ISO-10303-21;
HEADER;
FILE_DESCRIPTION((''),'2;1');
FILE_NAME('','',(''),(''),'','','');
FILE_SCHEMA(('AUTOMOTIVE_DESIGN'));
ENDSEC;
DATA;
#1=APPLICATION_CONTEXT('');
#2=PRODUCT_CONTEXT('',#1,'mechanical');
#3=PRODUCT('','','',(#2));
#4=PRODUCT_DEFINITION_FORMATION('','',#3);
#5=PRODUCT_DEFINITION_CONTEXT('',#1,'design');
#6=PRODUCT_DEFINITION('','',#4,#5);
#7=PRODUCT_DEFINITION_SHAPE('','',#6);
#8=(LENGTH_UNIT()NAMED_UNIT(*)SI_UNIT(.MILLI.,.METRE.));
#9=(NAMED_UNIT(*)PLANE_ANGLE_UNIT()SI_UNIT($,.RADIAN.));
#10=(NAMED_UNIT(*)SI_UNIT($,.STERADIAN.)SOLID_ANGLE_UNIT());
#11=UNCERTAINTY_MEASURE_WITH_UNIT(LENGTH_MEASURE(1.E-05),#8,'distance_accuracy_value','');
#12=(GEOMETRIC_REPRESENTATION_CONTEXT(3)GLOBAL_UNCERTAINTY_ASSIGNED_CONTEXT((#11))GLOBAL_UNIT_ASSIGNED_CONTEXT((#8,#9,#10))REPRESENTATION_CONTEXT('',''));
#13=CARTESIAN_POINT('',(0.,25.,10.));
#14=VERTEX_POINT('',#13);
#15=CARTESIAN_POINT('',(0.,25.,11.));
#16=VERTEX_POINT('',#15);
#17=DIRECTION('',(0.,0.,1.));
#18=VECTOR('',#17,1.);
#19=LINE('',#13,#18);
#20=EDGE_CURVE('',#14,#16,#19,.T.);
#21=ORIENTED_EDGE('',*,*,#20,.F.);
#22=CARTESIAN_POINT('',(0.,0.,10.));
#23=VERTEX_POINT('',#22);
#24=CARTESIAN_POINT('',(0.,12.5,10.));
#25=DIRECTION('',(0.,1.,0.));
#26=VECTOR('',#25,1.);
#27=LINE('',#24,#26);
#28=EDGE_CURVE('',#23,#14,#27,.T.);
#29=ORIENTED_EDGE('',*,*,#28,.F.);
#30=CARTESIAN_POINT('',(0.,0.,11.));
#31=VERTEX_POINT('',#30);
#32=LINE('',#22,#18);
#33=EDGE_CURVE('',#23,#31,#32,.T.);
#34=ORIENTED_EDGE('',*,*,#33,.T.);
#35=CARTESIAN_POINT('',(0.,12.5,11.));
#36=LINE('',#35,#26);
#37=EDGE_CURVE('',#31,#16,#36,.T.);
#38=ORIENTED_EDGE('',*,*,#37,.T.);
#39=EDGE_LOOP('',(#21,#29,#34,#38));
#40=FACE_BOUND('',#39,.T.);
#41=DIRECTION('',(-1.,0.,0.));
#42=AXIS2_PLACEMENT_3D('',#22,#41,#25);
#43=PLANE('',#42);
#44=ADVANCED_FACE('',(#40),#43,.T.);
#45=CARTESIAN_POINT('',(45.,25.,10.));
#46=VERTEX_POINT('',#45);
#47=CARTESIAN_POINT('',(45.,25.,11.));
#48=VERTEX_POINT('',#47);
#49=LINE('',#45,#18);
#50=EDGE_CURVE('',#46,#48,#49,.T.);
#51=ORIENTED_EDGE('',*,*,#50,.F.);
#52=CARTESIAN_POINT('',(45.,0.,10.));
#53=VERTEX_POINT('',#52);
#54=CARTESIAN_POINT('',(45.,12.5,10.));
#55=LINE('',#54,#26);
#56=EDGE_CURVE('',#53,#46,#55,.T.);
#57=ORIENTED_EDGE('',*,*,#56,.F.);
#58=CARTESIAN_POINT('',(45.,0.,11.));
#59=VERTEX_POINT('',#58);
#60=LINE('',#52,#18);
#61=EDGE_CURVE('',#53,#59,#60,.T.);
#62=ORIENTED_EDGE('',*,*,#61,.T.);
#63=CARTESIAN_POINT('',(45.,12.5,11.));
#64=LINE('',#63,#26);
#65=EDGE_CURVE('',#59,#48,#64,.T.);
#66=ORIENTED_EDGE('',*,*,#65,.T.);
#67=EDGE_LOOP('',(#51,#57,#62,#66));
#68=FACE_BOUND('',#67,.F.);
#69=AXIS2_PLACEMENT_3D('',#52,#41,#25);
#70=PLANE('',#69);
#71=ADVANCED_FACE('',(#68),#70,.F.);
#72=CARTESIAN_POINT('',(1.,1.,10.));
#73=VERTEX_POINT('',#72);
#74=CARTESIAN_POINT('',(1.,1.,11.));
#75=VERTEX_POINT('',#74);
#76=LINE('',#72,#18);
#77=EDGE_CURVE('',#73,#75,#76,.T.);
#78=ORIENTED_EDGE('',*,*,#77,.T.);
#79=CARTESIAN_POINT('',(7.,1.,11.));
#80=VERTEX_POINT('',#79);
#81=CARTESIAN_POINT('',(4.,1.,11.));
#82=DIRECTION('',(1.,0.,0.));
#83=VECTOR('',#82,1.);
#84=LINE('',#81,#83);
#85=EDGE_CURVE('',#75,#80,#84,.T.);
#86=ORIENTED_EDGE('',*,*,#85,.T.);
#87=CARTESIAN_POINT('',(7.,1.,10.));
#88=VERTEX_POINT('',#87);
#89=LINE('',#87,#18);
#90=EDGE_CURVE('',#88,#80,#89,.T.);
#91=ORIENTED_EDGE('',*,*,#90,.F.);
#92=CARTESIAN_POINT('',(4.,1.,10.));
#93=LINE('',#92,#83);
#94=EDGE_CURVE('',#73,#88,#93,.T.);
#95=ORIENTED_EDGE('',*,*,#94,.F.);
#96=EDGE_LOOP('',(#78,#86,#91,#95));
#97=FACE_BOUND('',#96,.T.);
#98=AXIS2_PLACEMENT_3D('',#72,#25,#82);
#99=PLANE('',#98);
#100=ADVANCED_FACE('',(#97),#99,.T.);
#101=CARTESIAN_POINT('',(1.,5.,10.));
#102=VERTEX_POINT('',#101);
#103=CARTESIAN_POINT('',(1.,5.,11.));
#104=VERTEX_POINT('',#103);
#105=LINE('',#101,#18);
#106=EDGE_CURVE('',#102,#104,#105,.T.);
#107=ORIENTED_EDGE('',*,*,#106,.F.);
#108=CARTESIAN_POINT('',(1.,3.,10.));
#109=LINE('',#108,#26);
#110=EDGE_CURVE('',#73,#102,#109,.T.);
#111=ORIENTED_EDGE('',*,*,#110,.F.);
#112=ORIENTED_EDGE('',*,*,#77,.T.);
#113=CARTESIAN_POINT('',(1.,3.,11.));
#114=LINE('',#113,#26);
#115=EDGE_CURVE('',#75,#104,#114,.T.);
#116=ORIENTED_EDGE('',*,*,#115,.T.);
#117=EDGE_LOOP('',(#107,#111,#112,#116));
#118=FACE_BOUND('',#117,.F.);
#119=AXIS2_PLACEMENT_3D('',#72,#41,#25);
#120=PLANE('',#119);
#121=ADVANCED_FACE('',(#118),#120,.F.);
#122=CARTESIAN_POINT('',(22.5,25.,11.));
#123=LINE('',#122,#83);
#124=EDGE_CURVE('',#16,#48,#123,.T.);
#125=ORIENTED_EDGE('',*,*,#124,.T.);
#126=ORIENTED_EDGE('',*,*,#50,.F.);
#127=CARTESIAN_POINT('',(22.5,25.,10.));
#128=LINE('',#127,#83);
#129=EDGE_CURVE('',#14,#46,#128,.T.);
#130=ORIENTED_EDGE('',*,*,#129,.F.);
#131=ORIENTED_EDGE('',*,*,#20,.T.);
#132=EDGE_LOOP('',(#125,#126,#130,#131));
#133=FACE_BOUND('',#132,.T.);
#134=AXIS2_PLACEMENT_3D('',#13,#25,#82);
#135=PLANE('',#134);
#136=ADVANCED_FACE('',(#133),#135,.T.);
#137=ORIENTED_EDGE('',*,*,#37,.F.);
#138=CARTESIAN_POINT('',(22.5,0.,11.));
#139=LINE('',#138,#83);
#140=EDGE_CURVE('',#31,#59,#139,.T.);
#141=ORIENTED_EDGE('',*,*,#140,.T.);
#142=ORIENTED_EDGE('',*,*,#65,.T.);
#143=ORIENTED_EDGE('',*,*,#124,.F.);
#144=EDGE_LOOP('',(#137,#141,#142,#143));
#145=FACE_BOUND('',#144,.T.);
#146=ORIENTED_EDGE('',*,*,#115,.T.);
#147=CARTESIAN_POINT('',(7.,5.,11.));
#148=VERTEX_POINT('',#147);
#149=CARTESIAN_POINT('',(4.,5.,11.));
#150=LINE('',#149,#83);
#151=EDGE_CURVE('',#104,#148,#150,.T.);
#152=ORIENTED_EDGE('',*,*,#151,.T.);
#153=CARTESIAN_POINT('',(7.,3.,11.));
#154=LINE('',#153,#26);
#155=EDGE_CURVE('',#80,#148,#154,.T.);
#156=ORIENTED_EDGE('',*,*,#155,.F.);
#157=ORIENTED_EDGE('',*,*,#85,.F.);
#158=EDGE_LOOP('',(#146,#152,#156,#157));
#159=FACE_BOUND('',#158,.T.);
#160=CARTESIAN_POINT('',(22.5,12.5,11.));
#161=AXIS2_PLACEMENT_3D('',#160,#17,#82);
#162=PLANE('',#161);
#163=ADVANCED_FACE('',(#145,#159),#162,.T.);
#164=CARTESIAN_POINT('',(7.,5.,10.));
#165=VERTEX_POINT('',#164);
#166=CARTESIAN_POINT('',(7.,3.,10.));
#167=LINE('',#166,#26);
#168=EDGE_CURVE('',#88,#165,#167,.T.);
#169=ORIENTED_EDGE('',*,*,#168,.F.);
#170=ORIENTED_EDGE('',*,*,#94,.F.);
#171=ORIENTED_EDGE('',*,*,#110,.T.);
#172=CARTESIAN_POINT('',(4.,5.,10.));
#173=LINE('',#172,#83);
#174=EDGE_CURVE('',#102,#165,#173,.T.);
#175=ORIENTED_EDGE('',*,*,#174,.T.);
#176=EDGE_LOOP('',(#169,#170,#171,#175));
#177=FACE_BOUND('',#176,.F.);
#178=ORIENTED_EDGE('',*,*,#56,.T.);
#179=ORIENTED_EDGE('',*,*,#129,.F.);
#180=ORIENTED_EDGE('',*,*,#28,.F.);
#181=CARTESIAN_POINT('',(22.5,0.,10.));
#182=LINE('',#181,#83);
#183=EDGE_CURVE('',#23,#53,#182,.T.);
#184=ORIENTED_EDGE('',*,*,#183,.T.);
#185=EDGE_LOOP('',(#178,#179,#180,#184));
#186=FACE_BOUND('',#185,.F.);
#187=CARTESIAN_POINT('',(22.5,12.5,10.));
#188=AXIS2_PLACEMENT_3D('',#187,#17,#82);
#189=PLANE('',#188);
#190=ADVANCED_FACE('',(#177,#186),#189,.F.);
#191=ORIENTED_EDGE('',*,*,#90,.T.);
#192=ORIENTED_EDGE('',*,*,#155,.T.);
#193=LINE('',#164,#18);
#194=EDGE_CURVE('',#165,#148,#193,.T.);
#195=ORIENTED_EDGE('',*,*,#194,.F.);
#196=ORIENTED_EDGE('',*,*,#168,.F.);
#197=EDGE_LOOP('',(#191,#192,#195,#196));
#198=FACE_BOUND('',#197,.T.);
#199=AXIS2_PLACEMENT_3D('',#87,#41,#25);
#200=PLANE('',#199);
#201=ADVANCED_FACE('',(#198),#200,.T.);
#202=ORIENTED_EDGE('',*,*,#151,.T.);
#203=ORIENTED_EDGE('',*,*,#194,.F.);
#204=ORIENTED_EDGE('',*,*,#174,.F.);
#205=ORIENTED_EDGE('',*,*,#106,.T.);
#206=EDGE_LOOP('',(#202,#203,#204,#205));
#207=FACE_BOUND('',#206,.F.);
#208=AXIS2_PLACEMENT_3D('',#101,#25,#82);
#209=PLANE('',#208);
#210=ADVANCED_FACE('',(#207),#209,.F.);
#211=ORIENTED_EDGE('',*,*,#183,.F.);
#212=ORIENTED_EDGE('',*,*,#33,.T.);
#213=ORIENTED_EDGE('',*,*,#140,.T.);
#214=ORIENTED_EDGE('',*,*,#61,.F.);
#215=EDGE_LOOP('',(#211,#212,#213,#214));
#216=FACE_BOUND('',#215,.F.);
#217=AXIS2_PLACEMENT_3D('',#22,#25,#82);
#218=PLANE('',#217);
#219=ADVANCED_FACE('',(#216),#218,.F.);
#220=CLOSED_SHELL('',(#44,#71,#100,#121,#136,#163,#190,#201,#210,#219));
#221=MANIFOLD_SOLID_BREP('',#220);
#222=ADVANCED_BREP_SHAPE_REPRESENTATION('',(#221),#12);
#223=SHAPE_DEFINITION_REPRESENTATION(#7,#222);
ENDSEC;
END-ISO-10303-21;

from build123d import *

# Parameters (mm, degrees)
BOX036_W     = 6
BOX036_H     = 4
BOX036_DEPTH = 1
BOX027_W     = 45
BOX027_H     = 25
BOX027_DEPTH = 1


with BuildPart() as box036:
    # Box036 → Box036 (new body)
    with BuildSketch(Plane(origin=(1, 1, 10), x_dir=(1, 0, 0), z_dir=(0, 0, 1))):
        with Locations((3, 2)):
            Rectangle(BOX036_W, BOX036_H)
    extrude(amount=BOX036_DEPTH)


with BuildPart() as cut038:
    # Box027 → Box027 (new body)
    with BuildSketch(Plane.XY.offset(10)):
        with Locations((22.5, 12.5)):
            Rectangle(BOX027_W, BOX027_H)
    extrude(amount=BOX027_DEPTH)

    # Cut038: cut Box036
    add(box036.part, mode=Mode.SUBTRACT)


solid = cut038.part
